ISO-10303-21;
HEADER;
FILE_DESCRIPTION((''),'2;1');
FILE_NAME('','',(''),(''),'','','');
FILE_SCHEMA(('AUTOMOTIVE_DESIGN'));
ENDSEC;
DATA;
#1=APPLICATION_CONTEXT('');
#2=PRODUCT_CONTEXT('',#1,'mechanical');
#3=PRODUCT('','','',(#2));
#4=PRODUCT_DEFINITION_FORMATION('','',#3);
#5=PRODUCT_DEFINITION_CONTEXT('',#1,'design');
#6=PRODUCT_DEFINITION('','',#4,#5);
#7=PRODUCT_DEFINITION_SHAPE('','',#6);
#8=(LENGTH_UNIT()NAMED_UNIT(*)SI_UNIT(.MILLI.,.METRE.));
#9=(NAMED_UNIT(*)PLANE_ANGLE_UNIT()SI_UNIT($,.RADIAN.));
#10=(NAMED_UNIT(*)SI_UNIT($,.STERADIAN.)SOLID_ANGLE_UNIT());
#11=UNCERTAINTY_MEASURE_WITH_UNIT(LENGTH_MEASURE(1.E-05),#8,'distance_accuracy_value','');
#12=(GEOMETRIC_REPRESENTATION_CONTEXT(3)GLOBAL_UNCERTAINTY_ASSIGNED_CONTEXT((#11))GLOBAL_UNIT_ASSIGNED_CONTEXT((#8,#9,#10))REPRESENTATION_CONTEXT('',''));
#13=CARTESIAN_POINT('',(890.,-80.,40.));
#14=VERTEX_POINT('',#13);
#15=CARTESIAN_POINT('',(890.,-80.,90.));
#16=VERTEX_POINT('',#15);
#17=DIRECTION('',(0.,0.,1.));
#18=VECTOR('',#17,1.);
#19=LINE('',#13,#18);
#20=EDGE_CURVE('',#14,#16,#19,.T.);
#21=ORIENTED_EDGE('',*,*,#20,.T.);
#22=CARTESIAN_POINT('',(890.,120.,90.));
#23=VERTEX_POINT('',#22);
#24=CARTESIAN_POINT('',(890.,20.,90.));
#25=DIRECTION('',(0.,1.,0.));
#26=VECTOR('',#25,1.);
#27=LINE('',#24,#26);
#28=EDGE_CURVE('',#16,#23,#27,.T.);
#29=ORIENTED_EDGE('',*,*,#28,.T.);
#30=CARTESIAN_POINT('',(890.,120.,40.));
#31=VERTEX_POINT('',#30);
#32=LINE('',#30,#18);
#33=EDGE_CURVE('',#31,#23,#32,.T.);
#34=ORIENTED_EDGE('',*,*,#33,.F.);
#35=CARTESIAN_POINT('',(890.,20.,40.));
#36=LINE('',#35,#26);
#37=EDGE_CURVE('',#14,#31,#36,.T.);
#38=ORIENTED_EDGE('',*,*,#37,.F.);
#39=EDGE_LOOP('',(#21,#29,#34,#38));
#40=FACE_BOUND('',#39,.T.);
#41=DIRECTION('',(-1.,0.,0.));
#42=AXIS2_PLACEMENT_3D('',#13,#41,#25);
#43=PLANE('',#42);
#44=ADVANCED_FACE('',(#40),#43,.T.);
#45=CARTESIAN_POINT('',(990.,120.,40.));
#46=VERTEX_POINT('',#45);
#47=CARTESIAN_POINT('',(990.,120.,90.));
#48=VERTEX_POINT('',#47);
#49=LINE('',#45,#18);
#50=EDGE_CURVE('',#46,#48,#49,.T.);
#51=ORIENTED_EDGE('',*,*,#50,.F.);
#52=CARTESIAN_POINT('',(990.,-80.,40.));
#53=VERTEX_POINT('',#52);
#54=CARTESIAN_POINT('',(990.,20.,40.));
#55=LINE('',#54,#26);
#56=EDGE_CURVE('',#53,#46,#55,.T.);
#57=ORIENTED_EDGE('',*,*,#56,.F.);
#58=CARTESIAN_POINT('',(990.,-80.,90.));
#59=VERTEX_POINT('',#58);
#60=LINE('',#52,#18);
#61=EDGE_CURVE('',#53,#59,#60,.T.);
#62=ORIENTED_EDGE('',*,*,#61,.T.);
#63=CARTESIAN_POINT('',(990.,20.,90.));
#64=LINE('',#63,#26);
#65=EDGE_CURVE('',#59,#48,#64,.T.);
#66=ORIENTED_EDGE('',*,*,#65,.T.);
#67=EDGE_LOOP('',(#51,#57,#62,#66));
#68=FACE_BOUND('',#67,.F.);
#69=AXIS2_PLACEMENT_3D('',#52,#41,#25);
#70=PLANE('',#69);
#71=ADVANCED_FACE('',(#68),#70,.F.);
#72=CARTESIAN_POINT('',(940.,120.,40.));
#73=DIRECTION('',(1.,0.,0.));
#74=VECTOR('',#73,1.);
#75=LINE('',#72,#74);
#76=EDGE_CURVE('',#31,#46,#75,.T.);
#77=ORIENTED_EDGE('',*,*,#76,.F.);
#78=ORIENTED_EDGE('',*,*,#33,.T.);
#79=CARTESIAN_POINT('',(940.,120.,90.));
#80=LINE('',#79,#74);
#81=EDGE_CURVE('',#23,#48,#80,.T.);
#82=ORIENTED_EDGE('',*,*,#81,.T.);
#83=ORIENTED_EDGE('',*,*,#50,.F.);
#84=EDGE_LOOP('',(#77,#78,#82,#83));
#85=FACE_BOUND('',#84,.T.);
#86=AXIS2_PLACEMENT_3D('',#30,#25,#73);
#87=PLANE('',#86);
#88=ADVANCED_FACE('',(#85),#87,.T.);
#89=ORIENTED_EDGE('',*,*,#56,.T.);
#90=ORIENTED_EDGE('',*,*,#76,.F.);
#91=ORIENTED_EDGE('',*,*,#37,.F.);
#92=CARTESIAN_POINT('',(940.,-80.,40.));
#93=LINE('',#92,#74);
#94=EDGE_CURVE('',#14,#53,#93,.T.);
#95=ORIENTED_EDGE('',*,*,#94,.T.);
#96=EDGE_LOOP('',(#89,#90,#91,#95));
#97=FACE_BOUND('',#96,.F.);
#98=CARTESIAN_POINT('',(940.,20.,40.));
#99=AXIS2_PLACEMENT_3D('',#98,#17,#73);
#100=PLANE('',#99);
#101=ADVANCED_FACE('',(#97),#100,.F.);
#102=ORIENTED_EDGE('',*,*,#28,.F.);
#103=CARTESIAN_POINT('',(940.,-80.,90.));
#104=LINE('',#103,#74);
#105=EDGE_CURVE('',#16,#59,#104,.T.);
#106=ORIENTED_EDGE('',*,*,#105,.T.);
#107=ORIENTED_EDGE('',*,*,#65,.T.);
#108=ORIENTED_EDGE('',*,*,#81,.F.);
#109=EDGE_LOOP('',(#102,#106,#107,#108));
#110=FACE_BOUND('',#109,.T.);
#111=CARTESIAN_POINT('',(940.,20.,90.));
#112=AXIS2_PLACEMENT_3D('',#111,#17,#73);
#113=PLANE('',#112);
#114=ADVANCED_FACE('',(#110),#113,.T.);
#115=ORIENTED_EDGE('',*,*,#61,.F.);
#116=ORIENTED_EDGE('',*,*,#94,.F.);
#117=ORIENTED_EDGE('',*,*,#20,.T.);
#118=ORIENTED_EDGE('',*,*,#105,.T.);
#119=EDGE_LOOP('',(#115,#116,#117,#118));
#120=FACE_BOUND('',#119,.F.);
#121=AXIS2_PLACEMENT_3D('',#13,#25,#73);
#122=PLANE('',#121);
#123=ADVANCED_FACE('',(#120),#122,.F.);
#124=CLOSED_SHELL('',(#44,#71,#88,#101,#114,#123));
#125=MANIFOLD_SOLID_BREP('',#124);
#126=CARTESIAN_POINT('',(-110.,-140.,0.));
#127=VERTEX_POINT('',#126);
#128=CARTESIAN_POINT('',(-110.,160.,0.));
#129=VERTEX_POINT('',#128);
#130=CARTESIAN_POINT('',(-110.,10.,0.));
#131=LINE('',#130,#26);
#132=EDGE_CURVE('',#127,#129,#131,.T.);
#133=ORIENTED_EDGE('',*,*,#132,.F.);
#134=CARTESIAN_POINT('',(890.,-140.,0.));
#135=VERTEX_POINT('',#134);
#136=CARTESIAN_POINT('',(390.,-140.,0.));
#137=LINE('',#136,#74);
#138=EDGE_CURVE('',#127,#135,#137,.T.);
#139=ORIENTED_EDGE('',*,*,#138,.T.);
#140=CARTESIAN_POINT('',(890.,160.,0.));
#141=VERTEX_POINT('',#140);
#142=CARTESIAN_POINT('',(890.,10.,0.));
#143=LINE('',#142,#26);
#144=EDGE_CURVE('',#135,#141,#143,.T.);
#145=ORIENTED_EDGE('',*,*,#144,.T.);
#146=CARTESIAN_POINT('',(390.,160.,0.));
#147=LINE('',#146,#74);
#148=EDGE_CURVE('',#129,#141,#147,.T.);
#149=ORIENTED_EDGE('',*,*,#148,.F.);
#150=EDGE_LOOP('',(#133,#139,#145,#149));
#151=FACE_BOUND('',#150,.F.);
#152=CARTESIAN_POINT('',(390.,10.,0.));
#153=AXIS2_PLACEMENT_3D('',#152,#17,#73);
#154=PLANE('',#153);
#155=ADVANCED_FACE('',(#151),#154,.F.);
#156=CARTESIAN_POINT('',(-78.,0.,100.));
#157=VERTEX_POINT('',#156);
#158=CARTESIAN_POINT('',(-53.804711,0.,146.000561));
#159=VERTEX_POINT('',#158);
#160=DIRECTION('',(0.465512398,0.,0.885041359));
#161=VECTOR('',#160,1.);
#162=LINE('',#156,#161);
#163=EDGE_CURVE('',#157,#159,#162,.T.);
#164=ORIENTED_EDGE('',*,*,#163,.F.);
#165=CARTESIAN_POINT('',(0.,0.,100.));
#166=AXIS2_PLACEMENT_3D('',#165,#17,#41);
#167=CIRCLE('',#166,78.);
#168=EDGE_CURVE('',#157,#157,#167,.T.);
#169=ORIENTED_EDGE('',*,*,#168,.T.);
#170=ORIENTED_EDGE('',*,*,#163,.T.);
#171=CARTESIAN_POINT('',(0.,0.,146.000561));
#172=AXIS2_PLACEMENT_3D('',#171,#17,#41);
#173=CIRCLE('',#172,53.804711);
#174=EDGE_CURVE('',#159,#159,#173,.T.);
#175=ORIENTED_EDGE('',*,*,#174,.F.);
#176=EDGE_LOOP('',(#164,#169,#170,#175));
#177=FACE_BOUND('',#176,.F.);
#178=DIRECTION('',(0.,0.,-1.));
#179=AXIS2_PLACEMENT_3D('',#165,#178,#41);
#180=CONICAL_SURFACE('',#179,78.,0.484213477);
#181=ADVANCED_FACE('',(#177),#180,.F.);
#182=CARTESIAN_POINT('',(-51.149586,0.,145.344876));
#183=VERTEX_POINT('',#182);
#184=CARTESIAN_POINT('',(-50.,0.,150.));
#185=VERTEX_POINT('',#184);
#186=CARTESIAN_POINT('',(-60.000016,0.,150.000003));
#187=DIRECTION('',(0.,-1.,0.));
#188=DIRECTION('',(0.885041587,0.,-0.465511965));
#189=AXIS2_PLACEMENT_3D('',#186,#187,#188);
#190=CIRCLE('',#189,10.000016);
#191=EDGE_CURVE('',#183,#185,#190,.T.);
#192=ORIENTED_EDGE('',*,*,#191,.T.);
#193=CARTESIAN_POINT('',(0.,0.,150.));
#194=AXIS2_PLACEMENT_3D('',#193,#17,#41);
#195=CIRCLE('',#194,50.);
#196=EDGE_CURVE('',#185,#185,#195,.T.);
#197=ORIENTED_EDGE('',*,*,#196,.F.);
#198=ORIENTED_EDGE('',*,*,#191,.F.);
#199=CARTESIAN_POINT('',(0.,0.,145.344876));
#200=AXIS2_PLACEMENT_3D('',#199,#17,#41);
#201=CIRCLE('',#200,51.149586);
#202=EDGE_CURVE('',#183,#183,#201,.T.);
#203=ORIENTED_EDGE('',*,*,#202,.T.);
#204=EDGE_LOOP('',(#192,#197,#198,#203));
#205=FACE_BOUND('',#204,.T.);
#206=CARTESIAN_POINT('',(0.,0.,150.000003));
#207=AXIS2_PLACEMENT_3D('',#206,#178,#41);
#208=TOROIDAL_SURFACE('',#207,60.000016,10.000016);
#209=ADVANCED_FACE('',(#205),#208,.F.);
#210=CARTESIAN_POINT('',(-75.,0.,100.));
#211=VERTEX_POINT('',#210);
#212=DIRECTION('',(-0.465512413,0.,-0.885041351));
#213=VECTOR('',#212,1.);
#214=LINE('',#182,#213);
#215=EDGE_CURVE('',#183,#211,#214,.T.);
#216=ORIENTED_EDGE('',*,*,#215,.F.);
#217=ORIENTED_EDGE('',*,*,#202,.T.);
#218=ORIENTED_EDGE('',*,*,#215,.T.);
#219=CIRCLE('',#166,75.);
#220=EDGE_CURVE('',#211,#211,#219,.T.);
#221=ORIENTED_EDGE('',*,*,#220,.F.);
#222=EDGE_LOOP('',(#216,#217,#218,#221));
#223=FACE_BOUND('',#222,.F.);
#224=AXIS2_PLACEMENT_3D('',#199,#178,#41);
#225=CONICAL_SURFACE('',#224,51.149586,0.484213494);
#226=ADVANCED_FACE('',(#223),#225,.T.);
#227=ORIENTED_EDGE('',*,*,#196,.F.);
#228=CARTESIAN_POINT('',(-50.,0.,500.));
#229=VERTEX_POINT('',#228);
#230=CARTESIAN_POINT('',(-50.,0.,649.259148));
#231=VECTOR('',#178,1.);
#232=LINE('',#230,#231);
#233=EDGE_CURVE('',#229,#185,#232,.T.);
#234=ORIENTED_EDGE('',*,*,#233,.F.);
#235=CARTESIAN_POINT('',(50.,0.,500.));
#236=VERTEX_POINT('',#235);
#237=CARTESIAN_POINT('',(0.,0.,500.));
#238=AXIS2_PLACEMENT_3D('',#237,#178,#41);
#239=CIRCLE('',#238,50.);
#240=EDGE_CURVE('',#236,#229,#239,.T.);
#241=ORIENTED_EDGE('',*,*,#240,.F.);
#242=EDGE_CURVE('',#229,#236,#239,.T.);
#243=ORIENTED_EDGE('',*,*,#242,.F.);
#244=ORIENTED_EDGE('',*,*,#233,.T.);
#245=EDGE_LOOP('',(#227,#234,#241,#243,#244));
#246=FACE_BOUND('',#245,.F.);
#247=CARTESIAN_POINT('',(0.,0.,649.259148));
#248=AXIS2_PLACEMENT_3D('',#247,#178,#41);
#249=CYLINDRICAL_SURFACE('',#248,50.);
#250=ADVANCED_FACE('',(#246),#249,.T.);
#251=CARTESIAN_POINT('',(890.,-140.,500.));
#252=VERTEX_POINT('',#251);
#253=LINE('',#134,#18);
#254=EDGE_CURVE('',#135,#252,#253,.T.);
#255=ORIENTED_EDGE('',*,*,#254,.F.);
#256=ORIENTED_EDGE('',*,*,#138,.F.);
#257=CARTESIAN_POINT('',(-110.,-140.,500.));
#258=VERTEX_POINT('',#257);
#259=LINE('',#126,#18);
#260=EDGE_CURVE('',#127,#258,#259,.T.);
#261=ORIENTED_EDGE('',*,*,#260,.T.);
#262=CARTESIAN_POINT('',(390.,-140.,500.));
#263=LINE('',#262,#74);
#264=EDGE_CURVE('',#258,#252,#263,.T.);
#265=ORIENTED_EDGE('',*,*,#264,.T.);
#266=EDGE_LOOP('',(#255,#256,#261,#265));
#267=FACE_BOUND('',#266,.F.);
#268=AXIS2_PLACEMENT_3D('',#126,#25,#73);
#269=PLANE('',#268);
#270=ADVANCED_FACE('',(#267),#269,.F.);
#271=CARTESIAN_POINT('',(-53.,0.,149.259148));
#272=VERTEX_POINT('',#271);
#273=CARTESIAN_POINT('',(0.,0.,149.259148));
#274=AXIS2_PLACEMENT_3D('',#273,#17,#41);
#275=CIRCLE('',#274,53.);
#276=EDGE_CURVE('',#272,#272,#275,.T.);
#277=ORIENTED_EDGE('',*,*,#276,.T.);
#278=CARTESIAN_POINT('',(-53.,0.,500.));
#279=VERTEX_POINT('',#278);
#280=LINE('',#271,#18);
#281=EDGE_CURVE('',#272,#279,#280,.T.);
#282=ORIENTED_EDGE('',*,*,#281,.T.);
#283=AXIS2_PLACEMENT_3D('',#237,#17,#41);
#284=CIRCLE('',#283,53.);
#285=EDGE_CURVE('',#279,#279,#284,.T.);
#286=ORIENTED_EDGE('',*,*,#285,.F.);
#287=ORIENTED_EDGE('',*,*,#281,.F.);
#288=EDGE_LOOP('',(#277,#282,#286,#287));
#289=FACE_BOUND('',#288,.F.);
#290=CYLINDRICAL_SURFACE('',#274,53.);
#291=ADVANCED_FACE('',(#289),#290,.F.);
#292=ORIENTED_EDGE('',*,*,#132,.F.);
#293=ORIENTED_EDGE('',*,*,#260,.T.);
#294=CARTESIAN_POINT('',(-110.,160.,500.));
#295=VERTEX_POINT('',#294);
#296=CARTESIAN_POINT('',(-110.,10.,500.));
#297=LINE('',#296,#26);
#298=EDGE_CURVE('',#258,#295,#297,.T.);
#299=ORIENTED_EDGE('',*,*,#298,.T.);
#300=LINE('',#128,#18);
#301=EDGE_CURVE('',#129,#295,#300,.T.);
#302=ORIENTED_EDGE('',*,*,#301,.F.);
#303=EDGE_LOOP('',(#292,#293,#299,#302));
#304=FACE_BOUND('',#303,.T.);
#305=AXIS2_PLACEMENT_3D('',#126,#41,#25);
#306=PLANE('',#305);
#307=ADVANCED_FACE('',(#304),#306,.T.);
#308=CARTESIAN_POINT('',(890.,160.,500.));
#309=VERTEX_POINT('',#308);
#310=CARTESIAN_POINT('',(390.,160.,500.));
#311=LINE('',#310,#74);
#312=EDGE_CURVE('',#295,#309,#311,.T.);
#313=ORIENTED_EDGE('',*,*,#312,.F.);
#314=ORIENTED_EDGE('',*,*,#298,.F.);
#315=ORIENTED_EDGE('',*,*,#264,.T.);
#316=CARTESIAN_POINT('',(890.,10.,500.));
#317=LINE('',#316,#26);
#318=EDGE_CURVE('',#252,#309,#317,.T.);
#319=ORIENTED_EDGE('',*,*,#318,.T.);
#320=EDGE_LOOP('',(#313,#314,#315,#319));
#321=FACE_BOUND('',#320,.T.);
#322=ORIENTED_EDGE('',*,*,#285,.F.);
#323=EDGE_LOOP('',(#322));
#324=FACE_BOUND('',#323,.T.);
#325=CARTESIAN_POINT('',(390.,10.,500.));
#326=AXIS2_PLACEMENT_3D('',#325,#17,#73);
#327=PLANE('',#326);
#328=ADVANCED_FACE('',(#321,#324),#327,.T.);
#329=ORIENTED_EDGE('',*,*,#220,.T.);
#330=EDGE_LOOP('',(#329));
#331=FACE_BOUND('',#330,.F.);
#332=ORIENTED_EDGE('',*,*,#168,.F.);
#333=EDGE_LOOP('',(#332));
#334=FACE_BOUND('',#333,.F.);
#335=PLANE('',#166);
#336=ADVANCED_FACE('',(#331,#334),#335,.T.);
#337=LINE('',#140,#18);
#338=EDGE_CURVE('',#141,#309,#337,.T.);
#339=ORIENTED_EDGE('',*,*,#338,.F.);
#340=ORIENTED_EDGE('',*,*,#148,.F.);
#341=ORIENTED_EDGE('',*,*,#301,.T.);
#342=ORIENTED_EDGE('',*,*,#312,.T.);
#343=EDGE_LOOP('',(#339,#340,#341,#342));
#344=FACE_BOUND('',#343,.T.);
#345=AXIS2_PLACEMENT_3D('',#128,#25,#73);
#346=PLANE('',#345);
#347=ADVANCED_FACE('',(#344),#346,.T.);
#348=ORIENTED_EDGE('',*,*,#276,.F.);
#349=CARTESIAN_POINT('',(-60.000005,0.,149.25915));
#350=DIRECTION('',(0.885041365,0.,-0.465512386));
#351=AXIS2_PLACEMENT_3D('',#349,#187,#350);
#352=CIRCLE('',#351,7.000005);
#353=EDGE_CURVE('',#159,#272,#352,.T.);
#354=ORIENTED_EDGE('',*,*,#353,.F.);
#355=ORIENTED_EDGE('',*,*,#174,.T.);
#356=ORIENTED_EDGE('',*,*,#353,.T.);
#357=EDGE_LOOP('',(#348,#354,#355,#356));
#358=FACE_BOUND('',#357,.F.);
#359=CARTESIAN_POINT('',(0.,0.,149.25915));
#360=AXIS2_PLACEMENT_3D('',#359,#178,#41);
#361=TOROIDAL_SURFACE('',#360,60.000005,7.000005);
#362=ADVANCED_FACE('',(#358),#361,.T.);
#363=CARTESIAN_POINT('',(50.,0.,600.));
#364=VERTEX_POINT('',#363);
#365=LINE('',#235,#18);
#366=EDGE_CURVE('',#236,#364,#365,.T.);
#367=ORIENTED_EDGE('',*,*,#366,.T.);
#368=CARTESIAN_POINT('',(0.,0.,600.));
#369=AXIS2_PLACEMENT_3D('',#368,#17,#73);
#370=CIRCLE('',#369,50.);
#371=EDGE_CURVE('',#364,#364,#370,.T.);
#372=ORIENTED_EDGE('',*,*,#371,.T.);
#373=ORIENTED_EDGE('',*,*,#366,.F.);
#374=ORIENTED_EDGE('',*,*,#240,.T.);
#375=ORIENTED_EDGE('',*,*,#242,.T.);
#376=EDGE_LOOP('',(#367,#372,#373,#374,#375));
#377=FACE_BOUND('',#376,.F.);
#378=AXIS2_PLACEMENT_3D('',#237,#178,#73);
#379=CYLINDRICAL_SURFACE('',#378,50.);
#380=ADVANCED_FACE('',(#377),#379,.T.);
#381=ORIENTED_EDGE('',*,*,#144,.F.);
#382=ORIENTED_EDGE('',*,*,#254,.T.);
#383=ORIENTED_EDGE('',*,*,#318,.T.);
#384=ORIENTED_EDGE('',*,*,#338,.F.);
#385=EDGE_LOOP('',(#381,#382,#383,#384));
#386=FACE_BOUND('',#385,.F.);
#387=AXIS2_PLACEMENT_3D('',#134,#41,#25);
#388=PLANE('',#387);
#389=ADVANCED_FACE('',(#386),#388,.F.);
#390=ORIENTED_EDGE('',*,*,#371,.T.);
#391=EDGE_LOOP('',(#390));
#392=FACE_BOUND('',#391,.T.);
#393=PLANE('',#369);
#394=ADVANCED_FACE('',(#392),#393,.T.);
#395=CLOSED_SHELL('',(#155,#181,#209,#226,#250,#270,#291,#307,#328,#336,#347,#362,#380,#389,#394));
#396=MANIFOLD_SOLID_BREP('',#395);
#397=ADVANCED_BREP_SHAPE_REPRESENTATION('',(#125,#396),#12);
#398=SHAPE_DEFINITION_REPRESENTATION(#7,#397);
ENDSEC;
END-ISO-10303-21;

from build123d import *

# Parameters (mm, degrees)
BOX_W        = 1000
BOX_H        = 300
BOX_DEPTH    = 500
SKETCH001_R  = 50
PAD_DEPTH    = 100
BOX001_W     = 100
BOX001_H     = 200
BOX001_DEPTH = 50


with BuildPart() as body:
    # Sketch → Revolution (revolve)
    with BuildSketch(Plane.XZ):
        with BuildLine():
            Line((-50, 649.259148), (-50, 150))
            ThreePointArc((-51.149586, 145.344876), (-50.29165, 147.602515), (-50, 150))
            Line((-51.149586, 145.344876), (-75, 100))
            Line((-75, 100), (-78, 100))
            Line((-78, 100), (-53.804711, 146.000561))
            ThreePointArc((-53.804711, 146.000561), (-53.204155, 147.580909), (-53, 149.259148))
            Line((-53, 149.259148), (-53, 649.259148))
            Line((-53, 649.259148), (-50, 649.259148))
        make_face()
    revolve(axis=Axis((0, 0, 0), (0, 0, 1)))


with BuildPart() as body001:
    # Box → Box (new body)
    with BuildSketch(Plane(origin=(-110, -140, 0), x_dir=(1, 0, 0), z_dir=(0, 0, 1))):
        with Locations((500, 150)):
            Rectangle(BOX_W, BOX_H)
    extrude(amount=BOX_DEPTH)

    # Cut: cut Body
    add(body.part, mode=Mode.SUBTRACT)

    # Sketch001 (on Face14 of BaseFeature) → Pad (new body)
    with BuildSketch(Plane.XY.offset(500)):
        Circle(SKETCH001_R)
    extrude(amount=PAD_DEPTH)


with BuildPart() as box001:
    # Box001 → Box001 (new body)
    with BuildSketch(Plane(origin=(890, -80, 40), x_dir=(1, 0, 0), z_dir=(0, 0, 1))):
        with Locations((50, 100)):
            Rectangle(BOX001_W, BOX001_H)
    extrude(amount=BOX001_DEPTH)


solid = Compound([body001.part, box001.part])
